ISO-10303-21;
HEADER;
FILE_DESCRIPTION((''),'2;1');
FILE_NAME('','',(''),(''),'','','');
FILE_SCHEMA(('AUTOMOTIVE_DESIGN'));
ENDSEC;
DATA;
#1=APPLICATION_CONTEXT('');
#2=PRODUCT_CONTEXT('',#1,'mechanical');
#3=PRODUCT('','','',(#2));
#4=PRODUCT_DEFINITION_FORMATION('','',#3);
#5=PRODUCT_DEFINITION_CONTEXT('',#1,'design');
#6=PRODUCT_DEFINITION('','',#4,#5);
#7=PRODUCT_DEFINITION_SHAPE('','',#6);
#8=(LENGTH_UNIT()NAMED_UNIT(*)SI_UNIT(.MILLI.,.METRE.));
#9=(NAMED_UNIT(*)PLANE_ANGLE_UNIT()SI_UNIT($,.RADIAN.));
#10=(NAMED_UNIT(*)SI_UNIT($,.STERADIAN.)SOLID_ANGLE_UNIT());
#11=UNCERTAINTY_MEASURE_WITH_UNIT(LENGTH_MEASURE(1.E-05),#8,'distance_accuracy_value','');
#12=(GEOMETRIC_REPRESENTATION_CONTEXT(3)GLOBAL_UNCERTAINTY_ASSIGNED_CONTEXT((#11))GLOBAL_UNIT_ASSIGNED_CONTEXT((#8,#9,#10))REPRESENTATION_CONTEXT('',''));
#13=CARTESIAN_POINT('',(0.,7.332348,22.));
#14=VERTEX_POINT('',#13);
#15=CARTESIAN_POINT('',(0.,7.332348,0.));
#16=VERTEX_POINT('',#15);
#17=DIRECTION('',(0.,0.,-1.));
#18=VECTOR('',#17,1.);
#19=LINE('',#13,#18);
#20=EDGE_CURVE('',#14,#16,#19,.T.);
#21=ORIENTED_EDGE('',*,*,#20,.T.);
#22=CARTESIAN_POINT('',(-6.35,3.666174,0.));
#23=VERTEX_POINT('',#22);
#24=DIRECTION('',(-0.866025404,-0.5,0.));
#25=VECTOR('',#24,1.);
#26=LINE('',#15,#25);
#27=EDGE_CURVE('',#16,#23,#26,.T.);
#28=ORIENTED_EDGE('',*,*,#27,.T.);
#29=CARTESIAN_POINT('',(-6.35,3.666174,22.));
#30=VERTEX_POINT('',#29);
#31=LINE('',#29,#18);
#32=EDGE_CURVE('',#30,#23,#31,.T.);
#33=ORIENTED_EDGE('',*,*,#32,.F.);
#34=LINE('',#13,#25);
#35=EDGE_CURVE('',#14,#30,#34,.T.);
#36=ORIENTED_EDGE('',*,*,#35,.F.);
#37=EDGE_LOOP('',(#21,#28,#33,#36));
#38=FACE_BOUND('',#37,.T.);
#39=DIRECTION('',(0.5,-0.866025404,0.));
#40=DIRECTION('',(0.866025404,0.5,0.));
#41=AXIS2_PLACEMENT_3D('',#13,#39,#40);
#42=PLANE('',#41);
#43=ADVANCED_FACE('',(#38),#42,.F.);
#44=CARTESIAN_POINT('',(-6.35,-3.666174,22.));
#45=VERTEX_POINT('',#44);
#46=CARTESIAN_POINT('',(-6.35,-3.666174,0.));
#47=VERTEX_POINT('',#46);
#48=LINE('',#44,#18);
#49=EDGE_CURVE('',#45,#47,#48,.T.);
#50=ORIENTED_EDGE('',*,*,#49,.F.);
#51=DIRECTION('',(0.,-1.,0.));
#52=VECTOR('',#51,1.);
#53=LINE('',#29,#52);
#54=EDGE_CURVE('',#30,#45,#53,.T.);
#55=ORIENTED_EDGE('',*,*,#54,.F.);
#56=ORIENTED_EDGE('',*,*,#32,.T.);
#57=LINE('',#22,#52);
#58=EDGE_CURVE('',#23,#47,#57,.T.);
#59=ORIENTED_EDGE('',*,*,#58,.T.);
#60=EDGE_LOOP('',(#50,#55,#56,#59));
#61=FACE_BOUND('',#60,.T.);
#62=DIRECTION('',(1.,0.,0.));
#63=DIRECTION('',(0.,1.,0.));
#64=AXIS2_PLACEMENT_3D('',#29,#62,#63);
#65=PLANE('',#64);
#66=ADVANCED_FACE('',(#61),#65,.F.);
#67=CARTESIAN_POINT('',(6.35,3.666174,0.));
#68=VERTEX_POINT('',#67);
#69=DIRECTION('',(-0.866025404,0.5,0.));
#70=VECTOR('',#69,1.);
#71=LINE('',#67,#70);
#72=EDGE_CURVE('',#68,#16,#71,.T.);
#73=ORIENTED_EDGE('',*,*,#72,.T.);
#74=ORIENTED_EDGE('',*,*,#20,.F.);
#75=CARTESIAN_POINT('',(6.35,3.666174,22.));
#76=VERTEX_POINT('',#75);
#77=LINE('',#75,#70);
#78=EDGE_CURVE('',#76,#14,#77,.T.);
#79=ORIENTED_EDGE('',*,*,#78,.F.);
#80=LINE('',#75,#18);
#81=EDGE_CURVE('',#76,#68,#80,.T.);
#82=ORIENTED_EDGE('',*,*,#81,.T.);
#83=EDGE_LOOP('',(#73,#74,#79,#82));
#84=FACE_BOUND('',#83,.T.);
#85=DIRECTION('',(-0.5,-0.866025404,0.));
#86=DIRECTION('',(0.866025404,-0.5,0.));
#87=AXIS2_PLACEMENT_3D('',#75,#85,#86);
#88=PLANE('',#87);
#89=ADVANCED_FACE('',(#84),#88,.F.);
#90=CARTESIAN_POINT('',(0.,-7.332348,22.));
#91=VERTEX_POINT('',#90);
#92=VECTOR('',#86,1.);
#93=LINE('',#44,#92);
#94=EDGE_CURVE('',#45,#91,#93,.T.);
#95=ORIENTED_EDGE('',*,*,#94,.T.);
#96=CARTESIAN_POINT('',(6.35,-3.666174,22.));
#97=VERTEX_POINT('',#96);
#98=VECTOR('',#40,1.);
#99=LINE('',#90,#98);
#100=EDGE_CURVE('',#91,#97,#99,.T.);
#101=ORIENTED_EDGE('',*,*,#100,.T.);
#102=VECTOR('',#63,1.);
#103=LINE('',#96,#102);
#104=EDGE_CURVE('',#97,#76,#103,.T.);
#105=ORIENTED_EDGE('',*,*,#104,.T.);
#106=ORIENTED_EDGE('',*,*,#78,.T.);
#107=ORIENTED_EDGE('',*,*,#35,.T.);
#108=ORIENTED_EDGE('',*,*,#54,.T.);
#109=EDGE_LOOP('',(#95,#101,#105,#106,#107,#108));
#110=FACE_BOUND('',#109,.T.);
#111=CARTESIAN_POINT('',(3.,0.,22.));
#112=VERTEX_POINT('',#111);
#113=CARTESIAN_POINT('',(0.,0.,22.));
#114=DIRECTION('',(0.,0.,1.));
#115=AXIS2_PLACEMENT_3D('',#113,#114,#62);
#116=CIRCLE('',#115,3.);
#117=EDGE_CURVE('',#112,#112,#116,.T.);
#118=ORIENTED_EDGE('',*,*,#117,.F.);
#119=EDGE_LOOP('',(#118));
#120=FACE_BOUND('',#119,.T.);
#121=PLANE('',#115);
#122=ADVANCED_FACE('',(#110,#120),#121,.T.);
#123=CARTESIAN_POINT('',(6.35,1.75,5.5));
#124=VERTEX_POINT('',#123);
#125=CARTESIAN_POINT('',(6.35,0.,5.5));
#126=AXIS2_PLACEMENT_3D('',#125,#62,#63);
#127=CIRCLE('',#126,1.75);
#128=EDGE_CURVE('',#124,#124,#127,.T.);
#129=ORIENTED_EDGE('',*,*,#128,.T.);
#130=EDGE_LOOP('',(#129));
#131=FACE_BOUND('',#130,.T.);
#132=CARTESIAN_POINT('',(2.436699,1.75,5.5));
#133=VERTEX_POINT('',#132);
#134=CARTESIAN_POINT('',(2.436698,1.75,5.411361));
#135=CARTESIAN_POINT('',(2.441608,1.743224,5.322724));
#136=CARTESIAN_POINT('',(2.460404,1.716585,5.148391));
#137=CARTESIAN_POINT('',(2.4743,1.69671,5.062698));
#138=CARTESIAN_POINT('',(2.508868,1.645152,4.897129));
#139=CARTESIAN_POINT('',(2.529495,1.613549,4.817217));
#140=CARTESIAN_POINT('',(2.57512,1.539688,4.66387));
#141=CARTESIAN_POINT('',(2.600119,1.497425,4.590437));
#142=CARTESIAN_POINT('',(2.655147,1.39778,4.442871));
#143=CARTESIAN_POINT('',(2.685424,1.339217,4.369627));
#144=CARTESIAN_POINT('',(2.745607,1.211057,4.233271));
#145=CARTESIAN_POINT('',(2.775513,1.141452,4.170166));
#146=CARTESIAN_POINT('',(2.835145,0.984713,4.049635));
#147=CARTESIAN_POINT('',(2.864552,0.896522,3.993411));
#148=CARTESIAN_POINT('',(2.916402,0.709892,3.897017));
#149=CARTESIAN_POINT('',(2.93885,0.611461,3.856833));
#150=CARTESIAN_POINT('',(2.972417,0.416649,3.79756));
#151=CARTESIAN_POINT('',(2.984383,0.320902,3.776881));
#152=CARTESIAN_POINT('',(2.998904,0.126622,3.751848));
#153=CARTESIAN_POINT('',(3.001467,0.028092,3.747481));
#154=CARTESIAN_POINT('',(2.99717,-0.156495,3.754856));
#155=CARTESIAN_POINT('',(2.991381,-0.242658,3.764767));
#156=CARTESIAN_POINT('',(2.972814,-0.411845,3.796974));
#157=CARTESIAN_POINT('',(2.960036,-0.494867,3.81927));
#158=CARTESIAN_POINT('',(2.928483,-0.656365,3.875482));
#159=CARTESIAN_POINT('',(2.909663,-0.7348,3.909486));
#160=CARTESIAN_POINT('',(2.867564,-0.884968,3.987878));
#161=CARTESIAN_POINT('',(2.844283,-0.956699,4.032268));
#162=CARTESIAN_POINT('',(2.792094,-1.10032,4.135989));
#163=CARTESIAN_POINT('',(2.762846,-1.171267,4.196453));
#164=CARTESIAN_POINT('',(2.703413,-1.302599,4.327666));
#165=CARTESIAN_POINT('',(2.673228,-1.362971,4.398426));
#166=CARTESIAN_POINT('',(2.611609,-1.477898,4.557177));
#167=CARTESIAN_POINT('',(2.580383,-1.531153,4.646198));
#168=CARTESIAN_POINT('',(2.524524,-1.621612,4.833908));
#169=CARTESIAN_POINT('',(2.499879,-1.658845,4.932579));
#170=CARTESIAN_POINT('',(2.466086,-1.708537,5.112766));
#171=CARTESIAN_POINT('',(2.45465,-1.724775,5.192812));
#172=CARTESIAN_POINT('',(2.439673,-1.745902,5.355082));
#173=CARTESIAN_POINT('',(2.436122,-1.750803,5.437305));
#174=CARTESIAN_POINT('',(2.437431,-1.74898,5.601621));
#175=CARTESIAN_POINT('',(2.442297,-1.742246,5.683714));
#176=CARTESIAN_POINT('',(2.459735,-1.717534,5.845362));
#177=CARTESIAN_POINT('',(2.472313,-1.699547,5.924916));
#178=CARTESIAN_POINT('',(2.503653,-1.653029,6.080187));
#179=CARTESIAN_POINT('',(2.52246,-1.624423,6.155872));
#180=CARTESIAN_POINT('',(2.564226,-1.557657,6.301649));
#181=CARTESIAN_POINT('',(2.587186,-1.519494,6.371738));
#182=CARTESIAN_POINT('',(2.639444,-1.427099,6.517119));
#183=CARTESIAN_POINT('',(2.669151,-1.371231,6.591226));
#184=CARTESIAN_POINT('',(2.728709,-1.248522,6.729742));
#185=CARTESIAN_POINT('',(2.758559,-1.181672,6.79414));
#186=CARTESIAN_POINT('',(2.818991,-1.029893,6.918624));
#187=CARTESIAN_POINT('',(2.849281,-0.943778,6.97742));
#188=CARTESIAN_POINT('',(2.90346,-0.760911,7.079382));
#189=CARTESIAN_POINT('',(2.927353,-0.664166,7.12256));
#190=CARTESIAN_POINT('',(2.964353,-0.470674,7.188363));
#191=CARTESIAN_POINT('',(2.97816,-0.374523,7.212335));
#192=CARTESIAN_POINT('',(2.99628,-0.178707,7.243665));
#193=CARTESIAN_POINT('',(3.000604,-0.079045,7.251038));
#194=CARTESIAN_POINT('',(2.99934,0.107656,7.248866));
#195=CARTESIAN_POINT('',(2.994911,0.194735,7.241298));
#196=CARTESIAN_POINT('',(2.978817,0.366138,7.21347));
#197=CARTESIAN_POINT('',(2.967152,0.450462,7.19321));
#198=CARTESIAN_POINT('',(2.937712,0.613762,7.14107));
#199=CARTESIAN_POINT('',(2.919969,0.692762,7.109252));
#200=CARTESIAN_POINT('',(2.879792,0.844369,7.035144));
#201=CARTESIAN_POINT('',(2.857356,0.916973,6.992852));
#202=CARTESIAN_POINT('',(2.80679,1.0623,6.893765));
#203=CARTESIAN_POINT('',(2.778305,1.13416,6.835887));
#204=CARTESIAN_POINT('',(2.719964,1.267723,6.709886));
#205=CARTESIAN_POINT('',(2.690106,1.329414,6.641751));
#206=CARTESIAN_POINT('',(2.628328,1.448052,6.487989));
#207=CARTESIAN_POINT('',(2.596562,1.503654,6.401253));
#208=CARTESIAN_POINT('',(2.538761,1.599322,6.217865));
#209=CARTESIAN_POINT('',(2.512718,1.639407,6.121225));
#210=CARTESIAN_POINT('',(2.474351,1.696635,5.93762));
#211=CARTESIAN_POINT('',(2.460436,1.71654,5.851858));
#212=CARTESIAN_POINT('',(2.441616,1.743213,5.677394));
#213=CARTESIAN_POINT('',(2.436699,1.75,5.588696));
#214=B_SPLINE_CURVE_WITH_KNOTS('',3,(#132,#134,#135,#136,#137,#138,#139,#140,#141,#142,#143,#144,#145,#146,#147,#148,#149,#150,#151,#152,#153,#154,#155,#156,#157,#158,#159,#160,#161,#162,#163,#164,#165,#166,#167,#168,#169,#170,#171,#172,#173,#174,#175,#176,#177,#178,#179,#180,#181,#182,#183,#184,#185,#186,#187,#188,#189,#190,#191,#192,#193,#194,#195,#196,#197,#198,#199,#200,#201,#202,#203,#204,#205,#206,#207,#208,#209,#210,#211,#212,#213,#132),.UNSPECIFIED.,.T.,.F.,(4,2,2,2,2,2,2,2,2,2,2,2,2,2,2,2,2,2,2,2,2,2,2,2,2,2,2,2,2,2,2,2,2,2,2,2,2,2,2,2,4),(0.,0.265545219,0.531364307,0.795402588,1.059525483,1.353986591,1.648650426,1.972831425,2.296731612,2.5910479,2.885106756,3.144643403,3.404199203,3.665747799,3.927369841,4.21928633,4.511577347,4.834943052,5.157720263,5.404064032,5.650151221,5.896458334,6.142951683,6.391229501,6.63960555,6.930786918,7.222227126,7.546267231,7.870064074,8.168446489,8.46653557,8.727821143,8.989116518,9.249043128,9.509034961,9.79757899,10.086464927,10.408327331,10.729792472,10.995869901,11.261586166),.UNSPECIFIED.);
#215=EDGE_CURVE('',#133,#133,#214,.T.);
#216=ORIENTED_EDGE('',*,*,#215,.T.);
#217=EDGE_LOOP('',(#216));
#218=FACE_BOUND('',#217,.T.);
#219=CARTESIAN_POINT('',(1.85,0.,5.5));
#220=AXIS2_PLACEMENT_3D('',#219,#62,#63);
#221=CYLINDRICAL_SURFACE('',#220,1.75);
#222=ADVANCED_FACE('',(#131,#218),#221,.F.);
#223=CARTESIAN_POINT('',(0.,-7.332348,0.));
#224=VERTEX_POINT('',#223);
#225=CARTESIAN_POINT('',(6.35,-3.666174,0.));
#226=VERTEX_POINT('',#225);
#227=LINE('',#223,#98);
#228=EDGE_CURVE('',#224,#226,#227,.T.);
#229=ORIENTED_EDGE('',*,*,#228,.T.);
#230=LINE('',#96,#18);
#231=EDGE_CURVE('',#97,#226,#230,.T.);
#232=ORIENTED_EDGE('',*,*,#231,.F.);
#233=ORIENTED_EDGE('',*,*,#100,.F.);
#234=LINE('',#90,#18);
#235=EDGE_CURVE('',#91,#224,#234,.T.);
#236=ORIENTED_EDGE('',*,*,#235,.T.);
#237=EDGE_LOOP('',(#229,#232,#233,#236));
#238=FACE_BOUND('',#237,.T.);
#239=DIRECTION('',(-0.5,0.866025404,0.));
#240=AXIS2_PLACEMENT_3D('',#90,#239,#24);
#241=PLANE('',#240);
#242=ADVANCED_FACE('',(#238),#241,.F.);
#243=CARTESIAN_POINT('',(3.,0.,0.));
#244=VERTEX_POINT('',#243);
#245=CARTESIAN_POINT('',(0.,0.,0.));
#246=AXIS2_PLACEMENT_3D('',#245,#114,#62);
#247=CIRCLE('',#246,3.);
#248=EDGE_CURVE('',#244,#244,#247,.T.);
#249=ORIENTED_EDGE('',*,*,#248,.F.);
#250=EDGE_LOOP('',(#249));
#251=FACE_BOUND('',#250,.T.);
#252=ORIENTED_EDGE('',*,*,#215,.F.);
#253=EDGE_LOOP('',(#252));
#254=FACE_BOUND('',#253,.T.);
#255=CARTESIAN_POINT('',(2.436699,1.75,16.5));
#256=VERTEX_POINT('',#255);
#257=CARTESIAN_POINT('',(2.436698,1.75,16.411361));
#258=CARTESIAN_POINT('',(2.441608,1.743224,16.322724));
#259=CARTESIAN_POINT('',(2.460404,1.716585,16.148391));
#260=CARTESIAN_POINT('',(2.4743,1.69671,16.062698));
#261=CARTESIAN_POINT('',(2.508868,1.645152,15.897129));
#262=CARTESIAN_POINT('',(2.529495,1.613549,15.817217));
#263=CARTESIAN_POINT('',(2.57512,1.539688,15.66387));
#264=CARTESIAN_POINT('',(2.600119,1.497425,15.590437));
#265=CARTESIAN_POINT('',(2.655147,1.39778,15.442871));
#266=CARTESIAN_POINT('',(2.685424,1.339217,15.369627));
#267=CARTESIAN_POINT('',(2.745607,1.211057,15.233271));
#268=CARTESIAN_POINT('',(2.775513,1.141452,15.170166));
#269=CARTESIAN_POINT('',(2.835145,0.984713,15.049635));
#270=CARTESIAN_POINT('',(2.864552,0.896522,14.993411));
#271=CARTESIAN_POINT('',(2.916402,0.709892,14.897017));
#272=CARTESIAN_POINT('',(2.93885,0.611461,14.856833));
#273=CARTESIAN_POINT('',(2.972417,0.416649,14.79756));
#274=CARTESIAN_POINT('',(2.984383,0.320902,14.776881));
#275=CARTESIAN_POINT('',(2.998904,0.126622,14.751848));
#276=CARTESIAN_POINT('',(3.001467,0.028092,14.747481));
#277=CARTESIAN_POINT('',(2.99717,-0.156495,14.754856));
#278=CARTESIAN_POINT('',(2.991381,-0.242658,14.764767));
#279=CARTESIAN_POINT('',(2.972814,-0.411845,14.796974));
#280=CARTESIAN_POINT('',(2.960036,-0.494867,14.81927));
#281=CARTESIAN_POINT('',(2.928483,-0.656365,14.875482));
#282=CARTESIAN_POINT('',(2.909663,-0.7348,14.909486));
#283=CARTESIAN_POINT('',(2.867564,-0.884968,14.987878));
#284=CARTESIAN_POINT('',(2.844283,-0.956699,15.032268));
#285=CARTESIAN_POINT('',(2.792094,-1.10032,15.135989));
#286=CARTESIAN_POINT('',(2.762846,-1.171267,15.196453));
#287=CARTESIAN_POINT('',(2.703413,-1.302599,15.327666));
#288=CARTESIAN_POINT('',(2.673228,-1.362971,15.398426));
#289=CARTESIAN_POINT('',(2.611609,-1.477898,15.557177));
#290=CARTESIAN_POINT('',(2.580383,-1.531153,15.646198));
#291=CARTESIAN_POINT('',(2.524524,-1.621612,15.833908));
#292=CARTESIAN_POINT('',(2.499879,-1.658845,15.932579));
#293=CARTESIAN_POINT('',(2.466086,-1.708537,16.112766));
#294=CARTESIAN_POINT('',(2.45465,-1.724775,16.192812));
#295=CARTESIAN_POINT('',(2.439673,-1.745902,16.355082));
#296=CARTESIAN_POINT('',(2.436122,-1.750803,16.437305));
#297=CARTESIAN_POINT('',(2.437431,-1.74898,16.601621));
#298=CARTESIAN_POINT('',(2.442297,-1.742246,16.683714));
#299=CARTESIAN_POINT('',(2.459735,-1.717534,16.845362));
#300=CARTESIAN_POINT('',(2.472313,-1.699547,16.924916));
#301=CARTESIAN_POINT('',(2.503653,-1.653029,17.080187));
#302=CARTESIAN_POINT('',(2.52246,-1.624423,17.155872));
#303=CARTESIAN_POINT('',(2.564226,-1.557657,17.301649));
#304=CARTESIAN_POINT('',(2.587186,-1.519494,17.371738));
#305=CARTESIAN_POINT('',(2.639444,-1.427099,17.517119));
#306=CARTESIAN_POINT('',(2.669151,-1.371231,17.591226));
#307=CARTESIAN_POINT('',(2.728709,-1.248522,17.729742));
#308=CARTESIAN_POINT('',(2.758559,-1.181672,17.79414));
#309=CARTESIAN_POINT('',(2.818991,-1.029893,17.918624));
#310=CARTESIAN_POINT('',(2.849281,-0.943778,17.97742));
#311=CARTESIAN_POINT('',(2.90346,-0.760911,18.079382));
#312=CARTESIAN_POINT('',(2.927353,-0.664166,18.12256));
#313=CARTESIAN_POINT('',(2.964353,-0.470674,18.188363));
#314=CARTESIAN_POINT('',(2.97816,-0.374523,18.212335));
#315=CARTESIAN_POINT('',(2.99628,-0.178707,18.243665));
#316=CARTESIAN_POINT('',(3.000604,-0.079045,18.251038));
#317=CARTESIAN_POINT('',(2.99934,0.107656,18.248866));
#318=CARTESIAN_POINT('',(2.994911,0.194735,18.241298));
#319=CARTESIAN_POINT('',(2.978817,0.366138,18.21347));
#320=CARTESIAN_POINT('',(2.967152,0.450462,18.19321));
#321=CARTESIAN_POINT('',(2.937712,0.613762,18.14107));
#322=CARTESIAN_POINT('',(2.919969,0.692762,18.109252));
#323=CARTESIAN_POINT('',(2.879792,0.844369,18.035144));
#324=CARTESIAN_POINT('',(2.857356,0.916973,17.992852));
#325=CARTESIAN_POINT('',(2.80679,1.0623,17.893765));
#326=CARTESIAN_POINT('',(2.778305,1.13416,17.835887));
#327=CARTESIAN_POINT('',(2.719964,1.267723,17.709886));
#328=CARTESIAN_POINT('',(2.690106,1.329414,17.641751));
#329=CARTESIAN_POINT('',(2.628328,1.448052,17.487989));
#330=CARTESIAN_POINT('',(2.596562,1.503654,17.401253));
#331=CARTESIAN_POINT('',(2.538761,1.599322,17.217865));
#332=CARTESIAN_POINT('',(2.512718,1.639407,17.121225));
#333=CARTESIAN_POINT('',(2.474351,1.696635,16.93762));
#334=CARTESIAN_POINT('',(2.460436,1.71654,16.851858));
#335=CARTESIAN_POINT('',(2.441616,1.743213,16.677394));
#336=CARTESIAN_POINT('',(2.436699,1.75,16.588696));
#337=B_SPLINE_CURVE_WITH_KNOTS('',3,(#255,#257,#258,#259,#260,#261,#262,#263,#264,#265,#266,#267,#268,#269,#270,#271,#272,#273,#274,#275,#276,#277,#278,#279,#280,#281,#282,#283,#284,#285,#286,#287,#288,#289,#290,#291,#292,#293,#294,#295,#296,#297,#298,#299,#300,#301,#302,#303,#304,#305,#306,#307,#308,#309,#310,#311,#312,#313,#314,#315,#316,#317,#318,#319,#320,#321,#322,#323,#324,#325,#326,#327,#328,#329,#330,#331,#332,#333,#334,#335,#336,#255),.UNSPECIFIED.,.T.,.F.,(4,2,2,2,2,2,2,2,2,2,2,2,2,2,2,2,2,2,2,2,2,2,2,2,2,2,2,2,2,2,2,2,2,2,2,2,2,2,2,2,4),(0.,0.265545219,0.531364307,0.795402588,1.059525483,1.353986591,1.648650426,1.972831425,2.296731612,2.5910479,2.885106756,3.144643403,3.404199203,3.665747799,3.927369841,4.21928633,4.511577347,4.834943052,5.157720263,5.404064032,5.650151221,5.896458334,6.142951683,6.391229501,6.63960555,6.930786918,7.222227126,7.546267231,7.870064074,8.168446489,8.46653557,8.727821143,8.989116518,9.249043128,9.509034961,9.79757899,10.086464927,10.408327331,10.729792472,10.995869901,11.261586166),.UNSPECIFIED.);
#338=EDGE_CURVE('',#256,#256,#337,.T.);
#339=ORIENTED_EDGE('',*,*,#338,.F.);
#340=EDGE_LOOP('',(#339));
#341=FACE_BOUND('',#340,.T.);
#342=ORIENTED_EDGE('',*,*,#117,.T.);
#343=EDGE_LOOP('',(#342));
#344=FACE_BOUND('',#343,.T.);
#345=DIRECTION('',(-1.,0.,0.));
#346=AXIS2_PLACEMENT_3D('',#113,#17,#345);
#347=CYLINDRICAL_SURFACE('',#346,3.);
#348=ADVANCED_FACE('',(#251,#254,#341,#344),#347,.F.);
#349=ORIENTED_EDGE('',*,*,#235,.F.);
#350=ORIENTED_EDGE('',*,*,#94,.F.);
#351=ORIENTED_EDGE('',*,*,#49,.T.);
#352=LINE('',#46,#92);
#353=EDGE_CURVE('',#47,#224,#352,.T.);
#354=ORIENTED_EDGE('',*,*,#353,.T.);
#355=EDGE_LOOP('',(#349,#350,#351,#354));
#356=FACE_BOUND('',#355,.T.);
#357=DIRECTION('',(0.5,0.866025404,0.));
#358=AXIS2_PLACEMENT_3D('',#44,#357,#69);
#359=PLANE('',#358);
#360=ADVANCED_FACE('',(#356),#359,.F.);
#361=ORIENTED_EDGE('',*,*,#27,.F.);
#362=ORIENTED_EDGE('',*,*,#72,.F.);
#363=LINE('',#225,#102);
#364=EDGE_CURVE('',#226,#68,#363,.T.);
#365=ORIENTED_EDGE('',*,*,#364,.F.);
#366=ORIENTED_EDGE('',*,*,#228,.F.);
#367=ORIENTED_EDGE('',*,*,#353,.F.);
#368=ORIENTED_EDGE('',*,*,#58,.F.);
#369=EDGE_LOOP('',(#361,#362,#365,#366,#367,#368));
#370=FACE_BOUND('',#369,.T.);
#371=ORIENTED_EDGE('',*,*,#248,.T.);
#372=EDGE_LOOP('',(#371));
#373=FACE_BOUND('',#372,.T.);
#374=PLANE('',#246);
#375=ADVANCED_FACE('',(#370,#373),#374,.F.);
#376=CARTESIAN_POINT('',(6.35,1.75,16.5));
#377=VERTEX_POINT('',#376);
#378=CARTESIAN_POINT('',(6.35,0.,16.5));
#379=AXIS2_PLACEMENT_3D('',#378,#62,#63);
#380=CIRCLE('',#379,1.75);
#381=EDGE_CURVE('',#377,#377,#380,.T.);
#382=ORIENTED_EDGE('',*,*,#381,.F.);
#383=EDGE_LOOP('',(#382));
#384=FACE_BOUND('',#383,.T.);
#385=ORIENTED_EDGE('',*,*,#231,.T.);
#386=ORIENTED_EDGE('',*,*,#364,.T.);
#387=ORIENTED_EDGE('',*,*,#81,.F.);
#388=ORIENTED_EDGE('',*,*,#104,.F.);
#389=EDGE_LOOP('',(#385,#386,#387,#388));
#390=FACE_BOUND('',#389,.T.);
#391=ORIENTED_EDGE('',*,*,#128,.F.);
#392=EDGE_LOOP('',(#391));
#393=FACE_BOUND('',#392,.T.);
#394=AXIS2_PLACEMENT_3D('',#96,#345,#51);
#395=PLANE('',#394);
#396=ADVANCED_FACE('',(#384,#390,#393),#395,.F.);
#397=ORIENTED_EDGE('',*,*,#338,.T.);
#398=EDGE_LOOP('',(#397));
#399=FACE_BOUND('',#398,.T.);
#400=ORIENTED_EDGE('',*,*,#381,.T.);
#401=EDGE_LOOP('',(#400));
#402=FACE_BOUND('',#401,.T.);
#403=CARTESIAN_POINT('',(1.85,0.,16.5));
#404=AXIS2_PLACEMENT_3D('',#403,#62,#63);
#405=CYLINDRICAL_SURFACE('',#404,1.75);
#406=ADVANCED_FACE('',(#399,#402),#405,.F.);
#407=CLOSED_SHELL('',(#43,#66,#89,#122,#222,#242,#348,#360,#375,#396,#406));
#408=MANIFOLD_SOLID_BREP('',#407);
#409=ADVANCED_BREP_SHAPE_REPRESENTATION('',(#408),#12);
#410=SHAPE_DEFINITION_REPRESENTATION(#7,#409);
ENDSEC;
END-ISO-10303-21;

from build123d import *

# Parameters (mm, degrees)
ESQUISSE1_R             = 3
BOSS_EXTRU_1_DEPTH      = 22
ESQUISSE3_R             = 1.75
ENL_V_MAT_EXTRU_1_DEPTH = 4.5


with BuildPart() as part:
    # Esquisse1 → Boss.-Extru.1 (new body)
    with BuildSketch(Plane.XY):
        Polygon((0, 7.332348419), (-6.35, 3.666174209), (-6.35, -3.666174209), (0, -7.332348419), (6.35, -3.666174209), (6.35, 3.666174209), align=None)
        Circle(ESQUISSE1_R, mode=Mode.SUBTRACT)
    extrude(amount=BOSS_EXTRU_1_DEPTH)

    # Esquisse3 → Enlèv. mat.-Extru.1 (cut)
    with BuildSketch(Plane(origin=(6.35, 0, 0), x_dir=(0, 0, -1), z_dir=(1, 0, 0))):
        with Locations(Location((-5.5, 0, 0), (0, 0, 90))):
            Circle(ESQUISSE3_R)
        with Locations(Location((-16.5, 0, 0), (0, 0, 90))):
            Circle(ESQUISSE3_R)
    extrude(amount=-ENL_V_MAT_EXTRU_1_DEPTH, mode=Mode.SUBTRACT)


solid = part.part
